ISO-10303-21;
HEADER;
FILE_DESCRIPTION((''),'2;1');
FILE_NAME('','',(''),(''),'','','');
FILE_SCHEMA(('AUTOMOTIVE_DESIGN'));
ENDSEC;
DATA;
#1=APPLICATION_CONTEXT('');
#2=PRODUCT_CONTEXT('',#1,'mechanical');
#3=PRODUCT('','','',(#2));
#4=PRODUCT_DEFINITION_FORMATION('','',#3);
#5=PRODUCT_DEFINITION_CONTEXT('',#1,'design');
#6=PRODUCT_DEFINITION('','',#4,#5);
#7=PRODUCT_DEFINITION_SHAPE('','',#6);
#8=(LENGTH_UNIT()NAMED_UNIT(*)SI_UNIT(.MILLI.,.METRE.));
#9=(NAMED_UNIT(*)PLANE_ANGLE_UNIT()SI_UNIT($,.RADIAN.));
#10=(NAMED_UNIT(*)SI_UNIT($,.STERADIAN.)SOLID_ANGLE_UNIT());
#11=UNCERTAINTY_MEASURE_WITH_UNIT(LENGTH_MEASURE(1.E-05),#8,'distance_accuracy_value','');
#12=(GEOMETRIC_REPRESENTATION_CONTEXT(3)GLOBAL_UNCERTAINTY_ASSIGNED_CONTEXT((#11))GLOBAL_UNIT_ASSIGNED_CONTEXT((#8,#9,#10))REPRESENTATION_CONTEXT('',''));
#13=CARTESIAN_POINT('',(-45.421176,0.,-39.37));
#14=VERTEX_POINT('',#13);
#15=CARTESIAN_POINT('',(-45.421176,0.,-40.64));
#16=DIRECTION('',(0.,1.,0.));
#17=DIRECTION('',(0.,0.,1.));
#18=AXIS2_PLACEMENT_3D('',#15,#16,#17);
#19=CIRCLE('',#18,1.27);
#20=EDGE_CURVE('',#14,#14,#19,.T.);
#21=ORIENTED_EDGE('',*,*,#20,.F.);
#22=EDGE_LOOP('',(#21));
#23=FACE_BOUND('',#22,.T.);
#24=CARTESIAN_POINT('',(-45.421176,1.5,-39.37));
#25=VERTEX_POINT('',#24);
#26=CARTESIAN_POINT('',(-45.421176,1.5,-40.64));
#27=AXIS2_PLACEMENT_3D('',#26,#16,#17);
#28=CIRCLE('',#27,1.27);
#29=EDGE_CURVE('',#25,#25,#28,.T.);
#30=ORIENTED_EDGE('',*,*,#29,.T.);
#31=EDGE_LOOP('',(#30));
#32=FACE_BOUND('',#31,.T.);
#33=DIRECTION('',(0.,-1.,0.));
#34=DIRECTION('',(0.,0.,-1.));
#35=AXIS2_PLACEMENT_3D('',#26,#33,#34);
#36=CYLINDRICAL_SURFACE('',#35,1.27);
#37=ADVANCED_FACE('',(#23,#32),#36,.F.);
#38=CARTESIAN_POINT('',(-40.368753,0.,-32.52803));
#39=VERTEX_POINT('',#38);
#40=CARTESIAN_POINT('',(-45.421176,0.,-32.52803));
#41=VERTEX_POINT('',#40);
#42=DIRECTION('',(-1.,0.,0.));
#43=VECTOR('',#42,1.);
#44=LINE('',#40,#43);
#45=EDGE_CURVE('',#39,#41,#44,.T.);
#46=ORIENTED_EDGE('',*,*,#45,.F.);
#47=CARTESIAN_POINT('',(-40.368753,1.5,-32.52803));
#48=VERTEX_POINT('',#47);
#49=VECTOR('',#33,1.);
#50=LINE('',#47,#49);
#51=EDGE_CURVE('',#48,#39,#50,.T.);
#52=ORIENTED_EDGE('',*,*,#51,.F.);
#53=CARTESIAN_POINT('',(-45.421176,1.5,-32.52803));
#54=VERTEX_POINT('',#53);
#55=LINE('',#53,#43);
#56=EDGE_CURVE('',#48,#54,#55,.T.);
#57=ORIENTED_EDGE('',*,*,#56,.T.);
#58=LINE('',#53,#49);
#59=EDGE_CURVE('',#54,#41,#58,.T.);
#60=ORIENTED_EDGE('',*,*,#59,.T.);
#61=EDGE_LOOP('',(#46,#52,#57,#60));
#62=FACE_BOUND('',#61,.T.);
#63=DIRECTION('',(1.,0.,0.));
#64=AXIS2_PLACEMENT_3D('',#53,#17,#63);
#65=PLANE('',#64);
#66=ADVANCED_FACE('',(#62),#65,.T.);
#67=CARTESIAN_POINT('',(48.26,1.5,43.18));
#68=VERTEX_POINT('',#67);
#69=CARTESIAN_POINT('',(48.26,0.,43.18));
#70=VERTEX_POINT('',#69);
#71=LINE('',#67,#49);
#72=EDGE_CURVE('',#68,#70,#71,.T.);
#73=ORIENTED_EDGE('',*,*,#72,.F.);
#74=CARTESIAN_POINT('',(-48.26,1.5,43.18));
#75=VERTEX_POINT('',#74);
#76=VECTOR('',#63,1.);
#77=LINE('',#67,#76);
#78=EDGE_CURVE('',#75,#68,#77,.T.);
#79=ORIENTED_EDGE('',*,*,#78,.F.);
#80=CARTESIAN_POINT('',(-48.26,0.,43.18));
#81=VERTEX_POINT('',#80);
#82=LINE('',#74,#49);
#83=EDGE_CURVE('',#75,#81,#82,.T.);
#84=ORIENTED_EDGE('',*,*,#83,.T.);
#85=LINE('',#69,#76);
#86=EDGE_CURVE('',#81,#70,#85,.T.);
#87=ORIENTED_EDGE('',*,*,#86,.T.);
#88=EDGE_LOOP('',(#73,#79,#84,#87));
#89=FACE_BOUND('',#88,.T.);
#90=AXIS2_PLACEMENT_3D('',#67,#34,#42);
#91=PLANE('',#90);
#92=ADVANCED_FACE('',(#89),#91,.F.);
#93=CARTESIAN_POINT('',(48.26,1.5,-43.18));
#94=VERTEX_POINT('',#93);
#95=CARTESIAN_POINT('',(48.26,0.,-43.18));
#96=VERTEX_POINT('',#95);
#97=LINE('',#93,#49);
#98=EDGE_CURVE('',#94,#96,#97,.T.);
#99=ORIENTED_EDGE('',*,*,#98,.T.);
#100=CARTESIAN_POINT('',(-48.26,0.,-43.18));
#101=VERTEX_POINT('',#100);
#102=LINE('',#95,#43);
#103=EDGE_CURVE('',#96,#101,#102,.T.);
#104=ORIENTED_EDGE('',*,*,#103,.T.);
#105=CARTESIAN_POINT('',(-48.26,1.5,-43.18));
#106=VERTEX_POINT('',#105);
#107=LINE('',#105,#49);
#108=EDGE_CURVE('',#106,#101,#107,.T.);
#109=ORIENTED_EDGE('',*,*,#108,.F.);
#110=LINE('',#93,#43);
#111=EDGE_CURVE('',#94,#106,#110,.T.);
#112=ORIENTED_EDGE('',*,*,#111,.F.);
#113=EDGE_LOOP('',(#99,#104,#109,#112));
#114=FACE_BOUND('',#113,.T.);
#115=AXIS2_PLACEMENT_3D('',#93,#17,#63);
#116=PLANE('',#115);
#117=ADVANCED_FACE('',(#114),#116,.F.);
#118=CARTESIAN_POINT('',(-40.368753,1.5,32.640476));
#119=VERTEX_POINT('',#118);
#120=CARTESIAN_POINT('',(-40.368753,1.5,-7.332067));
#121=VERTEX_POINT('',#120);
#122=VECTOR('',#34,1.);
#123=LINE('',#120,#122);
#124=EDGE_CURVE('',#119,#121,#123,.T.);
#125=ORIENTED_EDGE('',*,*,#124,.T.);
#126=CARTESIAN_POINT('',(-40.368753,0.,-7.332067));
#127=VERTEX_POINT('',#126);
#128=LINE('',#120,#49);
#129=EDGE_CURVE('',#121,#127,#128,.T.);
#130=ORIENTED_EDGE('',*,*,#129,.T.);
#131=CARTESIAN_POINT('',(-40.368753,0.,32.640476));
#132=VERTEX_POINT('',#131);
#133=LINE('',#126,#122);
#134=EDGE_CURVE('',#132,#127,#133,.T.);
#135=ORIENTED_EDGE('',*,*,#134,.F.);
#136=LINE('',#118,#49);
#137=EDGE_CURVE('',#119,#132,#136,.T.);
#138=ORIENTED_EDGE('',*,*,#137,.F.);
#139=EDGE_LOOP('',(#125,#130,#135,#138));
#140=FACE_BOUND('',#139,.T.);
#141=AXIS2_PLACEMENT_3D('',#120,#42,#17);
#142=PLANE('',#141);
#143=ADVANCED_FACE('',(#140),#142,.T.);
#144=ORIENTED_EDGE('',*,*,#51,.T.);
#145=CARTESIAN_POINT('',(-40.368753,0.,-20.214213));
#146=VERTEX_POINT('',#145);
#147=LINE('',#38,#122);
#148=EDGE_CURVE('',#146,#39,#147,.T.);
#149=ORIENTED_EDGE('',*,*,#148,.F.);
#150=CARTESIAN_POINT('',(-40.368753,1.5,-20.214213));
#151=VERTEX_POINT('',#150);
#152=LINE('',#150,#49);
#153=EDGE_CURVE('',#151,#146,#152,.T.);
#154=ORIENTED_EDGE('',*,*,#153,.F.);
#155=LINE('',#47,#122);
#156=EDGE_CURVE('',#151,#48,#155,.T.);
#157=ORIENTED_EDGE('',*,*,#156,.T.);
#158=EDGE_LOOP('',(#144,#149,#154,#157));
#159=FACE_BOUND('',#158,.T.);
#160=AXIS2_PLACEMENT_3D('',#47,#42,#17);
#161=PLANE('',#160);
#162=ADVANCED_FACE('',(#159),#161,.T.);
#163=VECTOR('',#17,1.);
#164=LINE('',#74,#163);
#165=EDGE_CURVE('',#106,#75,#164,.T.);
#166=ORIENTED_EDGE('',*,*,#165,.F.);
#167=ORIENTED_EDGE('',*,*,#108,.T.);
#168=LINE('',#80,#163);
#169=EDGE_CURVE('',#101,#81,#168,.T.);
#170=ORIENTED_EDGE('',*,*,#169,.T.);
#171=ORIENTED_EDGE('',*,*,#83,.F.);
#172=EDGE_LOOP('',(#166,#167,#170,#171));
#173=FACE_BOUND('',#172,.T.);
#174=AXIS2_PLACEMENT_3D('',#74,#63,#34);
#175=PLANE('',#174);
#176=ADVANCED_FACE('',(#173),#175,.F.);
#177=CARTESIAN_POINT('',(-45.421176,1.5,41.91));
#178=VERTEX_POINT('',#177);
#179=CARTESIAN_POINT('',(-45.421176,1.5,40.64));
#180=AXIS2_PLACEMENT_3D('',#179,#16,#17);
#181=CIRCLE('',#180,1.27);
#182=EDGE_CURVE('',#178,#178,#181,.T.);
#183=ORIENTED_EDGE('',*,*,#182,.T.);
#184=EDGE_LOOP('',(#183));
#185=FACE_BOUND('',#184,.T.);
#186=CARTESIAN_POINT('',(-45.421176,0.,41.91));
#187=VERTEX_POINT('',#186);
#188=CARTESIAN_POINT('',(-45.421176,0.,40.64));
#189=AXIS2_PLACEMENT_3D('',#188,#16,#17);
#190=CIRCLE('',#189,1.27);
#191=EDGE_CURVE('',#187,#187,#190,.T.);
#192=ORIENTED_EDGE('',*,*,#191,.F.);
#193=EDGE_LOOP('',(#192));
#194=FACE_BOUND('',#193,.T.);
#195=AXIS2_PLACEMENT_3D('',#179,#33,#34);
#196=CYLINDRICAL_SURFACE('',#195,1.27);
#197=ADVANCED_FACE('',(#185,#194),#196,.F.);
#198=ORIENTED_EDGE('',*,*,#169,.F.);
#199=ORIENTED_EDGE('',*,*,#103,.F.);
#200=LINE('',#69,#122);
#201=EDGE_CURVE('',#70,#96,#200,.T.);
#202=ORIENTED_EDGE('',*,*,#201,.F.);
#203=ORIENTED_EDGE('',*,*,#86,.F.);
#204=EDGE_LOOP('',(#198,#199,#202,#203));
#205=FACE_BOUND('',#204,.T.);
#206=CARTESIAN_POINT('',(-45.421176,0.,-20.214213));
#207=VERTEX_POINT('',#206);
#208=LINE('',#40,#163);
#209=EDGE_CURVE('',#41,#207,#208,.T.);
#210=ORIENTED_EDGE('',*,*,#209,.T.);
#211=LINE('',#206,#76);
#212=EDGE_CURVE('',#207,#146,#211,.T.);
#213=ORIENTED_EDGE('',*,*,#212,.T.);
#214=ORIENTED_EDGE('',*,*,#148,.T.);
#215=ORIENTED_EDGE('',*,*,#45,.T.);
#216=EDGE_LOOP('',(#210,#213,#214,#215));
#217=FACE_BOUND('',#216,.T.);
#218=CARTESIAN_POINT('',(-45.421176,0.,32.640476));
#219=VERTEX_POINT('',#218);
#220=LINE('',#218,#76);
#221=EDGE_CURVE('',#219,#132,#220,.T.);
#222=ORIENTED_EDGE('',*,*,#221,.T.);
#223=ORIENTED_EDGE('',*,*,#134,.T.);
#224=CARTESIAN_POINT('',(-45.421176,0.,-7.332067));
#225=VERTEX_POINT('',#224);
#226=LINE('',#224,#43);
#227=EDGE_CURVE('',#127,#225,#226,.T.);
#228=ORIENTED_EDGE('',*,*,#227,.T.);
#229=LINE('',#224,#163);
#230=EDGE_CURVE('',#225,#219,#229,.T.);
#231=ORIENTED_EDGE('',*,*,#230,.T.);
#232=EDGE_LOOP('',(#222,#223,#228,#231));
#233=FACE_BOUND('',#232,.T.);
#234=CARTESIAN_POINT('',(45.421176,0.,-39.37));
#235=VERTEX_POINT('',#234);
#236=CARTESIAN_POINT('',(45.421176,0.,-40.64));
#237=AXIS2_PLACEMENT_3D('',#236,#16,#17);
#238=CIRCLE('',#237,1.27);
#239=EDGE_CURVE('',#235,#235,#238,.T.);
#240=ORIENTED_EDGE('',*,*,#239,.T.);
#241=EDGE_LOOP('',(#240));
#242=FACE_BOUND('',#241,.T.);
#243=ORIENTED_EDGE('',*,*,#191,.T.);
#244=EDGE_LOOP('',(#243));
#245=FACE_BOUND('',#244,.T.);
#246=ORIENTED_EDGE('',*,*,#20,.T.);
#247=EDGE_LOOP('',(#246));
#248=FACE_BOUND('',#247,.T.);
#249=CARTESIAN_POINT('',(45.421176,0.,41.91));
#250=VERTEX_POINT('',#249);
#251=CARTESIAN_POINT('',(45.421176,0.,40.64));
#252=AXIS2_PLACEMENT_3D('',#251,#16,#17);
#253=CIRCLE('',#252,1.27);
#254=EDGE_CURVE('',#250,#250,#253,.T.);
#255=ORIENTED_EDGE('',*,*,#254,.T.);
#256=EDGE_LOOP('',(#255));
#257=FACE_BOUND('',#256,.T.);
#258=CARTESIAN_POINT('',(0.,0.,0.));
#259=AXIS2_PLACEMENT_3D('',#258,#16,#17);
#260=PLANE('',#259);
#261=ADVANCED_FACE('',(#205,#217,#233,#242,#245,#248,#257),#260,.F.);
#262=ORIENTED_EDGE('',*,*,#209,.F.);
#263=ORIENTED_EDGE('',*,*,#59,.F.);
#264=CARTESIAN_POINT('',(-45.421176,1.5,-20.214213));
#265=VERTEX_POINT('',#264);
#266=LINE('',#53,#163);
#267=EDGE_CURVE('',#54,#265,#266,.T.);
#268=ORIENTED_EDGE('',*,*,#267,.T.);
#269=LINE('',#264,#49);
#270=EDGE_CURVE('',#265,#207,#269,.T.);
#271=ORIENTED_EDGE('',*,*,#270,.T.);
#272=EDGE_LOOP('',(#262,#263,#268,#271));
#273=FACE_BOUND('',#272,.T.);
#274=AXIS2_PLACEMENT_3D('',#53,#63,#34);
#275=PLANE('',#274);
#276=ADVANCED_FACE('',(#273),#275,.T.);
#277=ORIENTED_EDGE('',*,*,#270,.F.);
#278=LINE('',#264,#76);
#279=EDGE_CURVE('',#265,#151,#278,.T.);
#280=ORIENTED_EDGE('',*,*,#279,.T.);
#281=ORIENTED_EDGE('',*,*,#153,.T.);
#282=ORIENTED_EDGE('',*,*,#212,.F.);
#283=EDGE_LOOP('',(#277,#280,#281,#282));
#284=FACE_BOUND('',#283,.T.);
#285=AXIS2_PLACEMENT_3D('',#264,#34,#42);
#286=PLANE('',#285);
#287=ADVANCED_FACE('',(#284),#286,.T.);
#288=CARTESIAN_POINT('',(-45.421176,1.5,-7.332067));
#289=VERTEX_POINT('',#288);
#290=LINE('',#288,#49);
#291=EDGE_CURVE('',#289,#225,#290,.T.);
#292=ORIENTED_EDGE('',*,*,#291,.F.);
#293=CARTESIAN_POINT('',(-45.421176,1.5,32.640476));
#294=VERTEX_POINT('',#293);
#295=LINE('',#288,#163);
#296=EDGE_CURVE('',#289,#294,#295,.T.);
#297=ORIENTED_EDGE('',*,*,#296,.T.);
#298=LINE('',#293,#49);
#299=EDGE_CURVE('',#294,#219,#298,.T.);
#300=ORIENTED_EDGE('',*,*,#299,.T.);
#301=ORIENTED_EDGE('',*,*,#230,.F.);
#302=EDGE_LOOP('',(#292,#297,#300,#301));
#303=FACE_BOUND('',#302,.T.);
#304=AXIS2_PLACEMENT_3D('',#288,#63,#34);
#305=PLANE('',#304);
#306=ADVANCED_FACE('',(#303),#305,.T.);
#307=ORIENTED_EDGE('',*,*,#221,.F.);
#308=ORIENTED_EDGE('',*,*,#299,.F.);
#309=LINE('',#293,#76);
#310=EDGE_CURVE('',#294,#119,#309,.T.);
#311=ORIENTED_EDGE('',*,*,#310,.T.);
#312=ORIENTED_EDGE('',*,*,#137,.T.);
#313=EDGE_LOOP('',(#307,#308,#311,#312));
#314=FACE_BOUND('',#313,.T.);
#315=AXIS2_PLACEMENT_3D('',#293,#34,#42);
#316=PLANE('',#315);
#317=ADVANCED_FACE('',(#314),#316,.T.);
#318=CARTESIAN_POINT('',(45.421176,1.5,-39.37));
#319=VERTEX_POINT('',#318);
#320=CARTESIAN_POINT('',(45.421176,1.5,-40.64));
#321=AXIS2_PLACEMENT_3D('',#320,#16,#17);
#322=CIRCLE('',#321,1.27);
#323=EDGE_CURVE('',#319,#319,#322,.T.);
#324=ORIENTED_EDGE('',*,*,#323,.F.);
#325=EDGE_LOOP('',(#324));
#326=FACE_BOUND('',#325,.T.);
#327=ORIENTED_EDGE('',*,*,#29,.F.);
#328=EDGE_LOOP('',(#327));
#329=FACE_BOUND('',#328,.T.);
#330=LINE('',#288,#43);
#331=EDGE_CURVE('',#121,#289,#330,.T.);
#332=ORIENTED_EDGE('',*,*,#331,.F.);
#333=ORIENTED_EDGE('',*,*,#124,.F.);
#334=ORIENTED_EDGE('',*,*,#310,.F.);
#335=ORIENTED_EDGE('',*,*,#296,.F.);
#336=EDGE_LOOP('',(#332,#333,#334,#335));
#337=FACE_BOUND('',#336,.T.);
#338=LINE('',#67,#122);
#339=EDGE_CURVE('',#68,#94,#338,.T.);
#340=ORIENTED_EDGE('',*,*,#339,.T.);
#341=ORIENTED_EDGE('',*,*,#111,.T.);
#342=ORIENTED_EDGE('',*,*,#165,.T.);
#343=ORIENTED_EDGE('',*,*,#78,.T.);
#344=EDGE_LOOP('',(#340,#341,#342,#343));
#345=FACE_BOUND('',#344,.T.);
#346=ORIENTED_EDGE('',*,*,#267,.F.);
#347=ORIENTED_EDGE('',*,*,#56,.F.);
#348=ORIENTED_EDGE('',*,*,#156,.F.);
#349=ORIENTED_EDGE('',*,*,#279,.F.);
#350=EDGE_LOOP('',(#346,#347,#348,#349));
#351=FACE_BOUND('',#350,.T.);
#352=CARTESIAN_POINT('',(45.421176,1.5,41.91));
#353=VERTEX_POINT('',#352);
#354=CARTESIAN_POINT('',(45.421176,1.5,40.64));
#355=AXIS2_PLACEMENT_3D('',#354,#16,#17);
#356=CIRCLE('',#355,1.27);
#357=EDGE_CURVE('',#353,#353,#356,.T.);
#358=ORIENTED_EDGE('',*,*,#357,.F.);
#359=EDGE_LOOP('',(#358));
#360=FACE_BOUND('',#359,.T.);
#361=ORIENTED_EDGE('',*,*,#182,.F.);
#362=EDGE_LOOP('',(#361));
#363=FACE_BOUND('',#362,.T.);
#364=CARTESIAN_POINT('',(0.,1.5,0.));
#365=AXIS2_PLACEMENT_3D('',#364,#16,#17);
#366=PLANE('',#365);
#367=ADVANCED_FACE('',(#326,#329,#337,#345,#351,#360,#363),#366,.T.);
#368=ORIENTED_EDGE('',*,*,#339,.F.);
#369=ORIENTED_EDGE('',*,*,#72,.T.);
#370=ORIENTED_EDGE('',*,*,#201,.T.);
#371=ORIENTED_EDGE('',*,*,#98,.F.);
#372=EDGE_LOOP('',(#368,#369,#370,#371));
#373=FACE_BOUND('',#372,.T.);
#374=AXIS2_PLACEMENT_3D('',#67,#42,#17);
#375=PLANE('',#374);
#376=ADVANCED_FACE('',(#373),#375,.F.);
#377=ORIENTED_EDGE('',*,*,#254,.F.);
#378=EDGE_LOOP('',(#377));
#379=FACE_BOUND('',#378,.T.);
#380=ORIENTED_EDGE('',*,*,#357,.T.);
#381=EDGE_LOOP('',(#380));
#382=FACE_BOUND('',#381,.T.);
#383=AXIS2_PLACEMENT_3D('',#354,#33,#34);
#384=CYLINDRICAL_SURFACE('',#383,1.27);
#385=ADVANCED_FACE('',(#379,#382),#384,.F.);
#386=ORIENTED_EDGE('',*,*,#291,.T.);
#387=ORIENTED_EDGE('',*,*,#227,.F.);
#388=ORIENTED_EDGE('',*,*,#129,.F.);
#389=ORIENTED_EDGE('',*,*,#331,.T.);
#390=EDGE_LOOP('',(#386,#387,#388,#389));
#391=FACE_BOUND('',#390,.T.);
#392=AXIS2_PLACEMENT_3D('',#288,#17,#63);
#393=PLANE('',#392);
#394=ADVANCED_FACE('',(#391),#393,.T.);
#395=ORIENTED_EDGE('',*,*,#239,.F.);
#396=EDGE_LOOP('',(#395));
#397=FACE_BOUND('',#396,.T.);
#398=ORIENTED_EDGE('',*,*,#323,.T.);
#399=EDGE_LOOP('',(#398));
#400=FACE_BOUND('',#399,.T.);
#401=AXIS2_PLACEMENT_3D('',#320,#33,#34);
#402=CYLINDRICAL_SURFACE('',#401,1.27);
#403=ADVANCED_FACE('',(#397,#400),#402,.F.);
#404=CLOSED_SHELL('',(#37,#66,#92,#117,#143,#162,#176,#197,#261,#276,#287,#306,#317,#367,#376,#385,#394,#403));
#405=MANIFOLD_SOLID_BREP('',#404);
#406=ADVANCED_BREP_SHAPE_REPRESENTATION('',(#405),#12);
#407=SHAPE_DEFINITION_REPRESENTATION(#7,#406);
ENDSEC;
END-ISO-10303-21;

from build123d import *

# Parameters (mm, degrees)
SKETCH1_W           = 96.52
SKETCH1_H           = 86.36
SKETCH1_R           = 1.27
SKETCH1_W_2         = 5.052423249
SKETCH1_H_2         = 12.313816371
SKETCH1_H_3         = 39.972542374
BOSS_EXTRUDE1_DEPTH = 1.5


with BuildPart() as part:
    # Sketch1 → Boss-Extrude1 (new body)
    with BuildSketch(Plane(origin=(0, 0, 0), x_dir=(1, 0, 0), z_dir=(0, 1, 0))):
        Rectangle(SKETCH1_W, SKETCH1_H)
        with Locations(Location((-45.421176471, 40.64, 0), (0, 0, 270))):
            Circle(SKETCH1_R, mode=Mode.SUBTRACT)
        with Locations(Location((45.421176471, 40.64, 0), (0, 0, 270))):
            Circle(SKETCH1_R, mode=Mode.SUBTRACT)
        with Locations(Location((-45.421176471, -40.64, 0), (0, 0, 270))):
            Circle(SKETCH1_R, mode=Mode.SUBTRACT)
        with Locations(Location((45.421176471, -40.64, 0), (0, 0, 270))):
            Circle(SKETCH1_R, mode=Mode.SUBTRACT)
        with Locations((-42.894964847, 26.371121385)):
            Rectangle(SKETCH1_W_2, SKETCH1_H_2, mode=Mode.SUBTRACT)
        with Locations((-42.894964847, -12.654204345)):
            Rectangle(SKETCH1_W_2, SKETCH1_H_3, mode=Mode.SUBTRACT)
    extrude(amount=BOSS_EXTRUDE1_DEPTH)


solid = part.part
